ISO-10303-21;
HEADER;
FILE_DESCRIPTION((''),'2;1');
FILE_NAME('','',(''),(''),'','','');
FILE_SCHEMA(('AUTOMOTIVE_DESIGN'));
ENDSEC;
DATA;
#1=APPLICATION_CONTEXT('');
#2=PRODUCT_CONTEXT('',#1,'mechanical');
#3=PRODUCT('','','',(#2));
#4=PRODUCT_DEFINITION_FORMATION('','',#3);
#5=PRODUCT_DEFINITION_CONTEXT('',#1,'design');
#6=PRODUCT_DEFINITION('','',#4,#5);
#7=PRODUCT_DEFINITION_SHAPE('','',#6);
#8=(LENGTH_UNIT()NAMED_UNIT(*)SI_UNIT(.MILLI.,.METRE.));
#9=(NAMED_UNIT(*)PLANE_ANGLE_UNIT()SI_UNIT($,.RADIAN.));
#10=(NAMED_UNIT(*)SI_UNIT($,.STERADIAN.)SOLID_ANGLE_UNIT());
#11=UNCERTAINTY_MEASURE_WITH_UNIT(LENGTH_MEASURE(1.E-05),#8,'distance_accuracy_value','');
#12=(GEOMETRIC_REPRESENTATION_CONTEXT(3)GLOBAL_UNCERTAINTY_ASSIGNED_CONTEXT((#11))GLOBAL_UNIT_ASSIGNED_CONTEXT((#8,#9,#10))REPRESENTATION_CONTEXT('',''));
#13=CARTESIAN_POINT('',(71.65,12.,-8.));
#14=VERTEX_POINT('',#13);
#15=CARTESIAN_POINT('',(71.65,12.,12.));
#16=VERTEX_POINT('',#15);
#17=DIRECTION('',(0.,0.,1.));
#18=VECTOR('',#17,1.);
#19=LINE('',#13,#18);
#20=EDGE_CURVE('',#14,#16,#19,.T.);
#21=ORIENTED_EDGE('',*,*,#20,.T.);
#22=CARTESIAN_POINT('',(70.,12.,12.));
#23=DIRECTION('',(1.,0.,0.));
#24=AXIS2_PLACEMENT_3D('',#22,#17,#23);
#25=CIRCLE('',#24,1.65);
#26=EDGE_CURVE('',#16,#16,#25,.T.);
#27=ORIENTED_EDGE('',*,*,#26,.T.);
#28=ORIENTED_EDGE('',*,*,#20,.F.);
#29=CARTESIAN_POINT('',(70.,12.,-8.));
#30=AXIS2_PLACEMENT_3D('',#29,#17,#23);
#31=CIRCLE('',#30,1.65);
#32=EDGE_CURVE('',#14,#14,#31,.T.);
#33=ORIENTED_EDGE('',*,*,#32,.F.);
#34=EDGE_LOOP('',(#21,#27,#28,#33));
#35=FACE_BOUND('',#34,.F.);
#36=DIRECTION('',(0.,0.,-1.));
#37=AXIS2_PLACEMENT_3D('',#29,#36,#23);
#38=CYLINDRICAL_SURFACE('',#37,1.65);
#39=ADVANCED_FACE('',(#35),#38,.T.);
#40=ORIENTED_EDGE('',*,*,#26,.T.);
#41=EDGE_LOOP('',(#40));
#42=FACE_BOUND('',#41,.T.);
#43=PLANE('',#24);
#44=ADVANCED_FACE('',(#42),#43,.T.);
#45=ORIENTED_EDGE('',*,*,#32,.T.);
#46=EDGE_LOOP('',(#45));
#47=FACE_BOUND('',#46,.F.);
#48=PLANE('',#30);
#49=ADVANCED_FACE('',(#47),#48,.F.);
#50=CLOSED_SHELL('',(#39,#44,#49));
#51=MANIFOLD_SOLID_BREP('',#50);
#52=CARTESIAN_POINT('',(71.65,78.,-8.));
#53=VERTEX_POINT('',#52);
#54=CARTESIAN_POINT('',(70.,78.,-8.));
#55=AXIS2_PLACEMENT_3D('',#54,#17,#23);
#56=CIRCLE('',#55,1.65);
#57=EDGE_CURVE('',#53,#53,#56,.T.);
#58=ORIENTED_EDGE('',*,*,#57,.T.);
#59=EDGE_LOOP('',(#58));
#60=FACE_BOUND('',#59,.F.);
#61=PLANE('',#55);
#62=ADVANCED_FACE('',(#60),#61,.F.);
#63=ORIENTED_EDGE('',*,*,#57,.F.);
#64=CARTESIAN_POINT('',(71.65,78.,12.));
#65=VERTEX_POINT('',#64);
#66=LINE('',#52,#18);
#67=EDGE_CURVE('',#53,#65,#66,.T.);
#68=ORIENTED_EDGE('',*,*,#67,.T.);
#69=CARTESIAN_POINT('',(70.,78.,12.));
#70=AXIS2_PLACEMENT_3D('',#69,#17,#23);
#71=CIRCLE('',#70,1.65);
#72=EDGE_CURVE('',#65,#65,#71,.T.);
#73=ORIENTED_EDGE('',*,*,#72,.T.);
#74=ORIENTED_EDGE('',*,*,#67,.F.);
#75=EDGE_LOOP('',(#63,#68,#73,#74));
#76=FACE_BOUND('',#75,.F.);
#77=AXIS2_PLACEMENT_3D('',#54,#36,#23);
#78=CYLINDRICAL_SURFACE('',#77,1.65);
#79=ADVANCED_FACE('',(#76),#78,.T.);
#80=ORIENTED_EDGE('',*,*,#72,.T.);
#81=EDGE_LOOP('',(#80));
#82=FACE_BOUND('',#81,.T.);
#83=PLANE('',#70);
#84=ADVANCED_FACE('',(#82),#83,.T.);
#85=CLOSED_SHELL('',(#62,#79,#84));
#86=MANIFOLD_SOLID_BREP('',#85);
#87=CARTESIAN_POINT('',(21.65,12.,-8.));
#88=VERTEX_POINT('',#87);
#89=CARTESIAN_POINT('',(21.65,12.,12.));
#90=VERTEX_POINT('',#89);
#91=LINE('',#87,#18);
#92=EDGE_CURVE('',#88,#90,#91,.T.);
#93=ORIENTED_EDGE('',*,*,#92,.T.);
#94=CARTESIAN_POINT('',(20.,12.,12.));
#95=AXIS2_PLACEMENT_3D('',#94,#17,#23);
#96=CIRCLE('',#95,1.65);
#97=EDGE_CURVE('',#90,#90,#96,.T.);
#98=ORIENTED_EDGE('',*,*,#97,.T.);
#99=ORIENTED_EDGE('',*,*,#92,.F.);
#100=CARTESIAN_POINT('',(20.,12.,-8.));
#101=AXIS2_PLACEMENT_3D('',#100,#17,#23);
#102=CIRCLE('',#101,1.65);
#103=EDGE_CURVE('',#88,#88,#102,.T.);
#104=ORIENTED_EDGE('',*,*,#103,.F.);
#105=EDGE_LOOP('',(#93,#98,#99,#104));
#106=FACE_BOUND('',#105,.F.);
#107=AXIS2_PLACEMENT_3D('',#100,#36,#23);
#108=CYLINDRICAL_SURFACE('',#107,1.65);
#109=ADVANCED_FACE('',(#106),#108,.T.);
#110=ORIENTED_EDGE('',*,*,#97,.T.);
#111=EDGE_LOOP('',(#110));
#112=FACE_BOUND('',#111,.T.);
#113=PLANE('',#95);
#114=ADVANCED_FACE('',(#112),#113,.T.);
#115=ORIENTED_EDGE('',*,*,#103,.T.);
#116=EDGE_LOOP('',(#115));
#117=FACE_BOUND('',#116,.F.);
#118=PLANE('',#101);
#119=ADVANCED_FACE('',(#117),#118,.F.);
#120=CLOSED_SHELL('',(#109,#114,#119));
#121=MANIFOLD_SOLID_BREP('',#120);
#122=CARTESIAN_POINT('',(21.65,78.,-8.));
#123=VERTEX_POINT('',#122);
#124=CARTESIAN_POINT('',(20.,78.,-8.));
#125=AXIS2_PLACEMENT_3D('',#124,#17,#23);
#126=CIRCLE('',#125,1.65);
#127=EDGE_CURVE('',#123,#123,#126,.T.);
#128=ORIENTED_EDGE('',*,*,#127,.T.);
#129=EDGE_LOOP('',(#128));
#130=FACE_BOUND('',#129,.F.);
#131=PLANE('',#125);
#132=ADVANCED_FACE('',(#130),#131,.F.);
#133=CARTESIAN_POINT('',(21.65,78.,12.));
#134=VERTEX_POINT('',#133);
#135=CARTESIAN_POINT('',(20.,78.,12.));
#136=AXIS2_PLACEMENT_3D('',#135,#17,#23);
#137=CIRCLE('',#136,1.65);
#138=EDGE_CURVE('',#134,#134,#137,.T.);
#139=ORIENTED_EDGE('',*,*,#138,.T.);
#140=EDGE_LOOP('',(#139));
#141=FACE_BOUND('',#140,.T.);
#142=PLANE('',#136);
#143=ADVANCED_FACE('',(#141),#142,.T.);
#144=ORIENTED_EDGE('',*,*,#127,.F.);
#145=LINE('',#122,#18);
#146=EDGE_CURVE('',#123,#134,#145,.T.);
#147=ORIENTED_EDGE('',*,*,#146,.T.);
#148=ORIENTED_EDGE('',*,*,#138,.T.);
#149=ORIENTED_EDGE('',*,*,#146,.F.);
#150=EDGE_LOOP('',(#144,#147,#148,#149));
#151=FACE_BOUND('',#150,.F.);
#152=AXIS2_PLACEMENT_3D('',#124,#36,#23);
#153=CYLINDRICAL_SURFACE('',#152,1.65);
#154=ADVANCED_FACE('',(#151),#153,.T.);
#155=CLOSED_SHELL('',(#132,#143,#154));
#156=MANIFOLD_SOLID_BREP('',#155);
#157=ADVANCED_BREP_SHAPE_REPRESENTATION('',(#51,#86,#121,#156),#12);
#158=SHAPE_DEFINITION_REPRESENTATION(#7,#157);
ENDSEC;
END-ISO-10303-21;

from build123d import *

# Parameters (mm, degrees)
CYLINDER029_R     = 1.65
CYLINDER029_DEPTH = 20
CYLINDER030_R     = 1.65
CYLINDER030_DEPTH = 20
CYLINDER031_R     = 1.65
CYLINDER031_DEPTH = 20
CYLINDER028_R     = 1.65
CYLINDER028_DEPTH = 20


with BuildPart() as cylinder029:
    # Cylinder029 → Cylinder029 (new body)
    with BuildSketch(Plane(origin=(70, 12, -8), x_dir=(1, 0, 0), z_dir=(0, 0, 1))):
        Circle(CYLINDER029_R)
    extrude(amount=CYLINDER029_DEPTH)


with BuildPart() as cylinder030:
    # Cylinder030 → Cylinder030 (new body)
    with BuildSketch(Plane(origin=(70, 78, -8), x_dir=(1, 0, 0), z_dir=(0, 0, 1))):
        Circle(CYLINDER030_R)
    extrude(amount=CYLINDER030_DEPTH)


with BuildPart() as cylinder031:
    # Cylinder031 → Cylinder031 (new body)
    with BuildSketch(Plane(origin=(20, 78, -8), x_dir=(1, 0, 0), z_dir=(0, 0, 1))):
        Circle(CYLINDER031_R)
    extrude(amount=CYLINDER031_DEPTH)


with BuildPart() as fusion046:
    # Cylinder028 → Cylinder028 (new body)
    with BuildSketch(Plane(origin=(20, 12, -8), x_dir=(1, 0, 0), z_dir=(0, 0, 1))):
        Circle(CYLINDER028_R)
    extrude(amount=CYLINDER028_DEPTH)

    # Fusion046: union Cylinder029, Cylinder030, Cylinder031
    add(cylinder029.part)
    add(cylinder030.part)
    add(cylinder031.part)


solid = fusion046.part
